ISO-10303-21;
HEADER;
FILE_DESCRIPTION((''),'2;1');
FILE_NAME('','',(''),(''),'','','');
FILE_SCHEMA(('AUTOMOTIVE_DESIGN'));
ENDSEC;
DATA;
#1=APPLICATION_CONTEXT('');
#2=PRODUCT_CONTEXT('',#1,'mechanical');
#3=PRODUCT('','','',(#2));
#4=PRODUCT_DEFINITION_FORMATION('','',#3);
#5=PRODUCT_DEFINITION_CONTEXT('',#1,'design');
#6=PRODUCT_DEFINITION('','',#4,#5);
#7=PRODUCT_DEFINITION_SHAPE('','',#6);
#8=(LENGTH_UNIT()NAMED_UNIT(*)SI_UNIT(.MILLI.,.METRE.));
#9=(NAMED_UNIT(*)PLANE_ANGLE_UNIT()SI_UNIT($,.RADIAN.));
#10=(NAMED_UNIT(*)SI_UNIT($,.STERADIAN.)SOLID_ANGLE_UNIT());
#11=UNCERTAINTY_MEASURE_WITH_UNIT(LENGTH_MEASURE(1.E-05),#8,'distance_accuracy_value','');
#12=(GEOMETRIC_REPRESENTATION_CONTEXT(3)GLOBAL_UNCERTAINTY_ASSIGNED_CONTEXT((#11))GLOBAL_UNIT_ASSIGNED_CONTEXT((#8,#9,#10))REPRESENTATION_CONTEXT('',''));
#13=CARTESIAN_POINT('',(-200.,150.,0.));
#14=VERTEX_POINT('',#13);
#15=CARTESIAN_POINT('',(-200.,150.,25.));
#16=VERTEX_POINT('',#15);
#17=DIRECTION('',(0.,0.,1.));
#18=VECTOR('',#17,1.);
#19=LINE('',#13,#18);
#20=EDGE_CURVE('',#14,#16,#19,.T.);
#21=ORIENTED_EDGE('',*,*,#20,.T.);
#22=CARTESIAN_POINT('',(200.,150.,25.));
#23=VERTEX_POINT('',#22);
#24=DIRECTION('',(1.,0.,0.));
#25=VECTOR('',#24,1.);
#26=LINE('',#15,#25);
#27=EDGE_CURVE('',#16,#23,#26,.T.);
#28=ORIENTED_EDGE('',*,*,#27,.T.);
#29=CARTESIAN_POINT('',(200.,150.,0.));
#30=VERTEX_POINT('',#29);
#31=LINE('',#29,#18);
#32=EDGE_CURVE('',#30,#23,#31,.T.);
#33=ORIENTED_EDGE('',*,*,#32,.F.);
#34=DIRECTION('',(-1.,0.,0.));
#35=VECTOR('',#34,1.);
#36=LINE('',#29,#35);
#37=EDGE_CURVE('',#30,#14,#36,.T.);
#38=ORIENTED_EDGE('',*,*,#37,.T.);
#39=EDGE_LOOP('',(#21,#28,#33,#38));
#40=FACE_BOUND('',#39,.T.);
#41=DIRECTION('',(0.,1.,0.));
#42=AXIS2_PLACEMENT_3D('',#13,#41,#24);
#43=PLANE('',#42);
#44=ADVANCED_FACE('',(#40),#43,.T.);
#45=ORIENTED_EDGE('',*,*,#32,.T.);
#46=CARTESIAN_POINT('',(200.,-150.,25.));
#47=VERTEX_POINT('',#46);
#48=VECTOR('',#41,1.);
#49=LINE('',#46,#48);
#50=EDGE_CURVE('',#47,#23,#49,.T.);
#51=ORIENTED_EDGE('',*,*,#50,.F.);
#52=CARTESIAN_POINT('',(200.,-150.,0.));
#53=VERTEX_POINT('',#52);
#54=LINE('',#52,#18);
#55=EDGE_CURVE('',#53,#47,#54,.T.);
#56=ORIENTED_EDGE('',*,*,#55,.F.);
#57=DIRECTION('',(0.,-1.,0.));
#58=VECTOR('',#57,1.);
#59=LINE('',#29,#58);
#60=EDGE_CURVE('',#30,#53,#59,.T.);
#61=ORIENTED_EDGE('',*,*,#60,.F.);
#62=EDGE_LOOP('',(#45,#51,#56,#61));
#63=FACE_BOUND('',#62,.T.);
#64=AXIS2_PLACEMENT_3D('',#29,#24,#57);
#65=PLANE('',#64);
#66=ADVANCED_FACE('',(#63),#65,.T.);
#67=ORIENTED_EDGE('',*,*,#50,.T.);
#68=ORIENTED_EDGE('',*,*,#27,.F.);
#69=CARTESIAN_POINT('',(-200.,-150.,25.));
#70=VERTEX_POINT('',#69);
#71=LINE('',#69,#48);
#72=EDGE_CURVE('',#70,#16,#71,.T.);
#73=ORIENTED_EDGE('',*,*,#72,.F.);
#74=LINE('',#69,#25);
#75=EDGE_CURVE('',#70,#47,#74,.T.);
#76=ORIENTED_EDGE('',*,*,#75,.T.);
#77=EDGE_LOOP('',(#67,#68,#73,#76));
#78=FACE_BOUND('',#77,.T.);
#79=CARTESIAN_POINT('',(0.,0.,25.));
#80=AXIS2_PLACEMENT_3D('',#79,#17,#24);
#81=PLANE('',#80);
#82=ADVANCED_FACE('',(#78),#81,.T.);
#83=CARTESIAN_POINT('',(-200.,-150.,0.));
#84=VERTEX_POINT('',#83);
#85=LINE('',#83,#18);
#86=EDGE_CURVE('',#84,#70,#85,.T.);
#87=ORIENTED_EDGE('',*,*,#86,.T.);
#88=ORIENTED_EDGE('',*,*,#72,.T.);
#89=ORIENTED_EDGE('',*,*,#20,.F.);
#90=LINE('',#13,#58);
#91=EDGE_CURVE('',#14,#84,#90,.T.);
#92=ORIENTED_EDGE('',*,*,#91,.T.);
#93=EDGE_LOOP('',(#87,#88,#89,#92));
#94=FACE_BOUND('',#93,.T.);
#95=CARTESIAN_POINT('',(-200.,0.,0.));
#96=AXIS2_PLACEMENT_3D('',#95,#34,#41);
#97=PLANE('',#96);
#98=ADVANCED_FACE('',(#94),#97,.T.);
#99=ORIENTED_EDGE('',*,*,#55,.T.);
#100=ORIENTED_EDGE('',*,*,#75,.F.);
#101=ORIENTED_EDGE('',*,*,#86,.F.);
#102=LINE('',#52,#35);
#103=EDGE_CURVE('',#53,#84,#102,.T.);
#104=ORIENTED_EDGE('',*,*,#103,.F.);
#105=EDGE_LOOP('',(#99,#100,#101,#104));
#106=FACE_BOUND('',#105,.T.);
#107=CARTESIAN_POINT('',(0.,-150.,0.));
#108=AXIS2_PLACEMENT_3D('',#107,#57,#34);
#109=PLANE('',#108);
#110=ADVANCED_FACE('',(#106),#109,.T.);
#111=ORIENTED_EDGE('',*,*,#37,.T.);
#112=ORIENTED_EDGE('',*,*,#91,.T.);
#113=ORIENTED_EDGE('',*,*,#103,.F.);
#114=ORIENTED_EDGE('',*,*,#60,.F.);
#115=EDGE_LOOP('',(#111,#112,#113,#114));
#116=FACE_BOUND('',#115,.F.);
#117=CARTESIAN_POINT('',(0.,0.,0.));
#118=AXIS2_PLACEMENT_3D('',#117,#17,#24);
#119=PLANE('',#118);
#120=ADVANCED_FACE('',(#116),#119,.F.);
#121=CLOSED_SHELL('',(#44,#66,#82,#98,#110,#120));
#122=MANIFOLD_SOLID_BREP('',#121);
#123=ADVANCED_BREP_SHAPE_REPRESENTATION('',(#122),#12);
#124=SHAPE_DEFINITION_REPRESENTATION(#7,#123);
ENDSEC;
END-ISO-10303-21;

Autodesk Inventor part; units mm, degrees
ref_plane "YZ Plane" through (0, 0, 0) normal (1, 0, 0) x (0, 1, 0)
ref_plane "XZ Plane" through (0, 0, 0) normal (0, 1, 0) x (-1, 0, 0)
ref_plane "XY Plane" through (0, 0, 0) normal (0, 0, 1) x (1, 0, 0)
sketch "Skizze1" plane through (0, 0, 0) normal (0, 0, 1) x (1, 0, 0)
  line L0 (-280, 0) -> (280, 0) projected
  line L1 (0, -210) -> (0, 210) projected
  line L2 (-200, 150) -> (200, 150)
  line L3 (200, 150) -> (200, -150)
  line L4 (200, -150) -> (-200, -150)
  line L5 (-200, -150) -> (-200, 150)
  point P0 (0, 0)
  dimension "d0" = 400
  dimension "d1" = 300
extrude "Extrusion1" add sketch "Skizze1" along normal blind 25
properties part number "BrettSteuereinheit"
